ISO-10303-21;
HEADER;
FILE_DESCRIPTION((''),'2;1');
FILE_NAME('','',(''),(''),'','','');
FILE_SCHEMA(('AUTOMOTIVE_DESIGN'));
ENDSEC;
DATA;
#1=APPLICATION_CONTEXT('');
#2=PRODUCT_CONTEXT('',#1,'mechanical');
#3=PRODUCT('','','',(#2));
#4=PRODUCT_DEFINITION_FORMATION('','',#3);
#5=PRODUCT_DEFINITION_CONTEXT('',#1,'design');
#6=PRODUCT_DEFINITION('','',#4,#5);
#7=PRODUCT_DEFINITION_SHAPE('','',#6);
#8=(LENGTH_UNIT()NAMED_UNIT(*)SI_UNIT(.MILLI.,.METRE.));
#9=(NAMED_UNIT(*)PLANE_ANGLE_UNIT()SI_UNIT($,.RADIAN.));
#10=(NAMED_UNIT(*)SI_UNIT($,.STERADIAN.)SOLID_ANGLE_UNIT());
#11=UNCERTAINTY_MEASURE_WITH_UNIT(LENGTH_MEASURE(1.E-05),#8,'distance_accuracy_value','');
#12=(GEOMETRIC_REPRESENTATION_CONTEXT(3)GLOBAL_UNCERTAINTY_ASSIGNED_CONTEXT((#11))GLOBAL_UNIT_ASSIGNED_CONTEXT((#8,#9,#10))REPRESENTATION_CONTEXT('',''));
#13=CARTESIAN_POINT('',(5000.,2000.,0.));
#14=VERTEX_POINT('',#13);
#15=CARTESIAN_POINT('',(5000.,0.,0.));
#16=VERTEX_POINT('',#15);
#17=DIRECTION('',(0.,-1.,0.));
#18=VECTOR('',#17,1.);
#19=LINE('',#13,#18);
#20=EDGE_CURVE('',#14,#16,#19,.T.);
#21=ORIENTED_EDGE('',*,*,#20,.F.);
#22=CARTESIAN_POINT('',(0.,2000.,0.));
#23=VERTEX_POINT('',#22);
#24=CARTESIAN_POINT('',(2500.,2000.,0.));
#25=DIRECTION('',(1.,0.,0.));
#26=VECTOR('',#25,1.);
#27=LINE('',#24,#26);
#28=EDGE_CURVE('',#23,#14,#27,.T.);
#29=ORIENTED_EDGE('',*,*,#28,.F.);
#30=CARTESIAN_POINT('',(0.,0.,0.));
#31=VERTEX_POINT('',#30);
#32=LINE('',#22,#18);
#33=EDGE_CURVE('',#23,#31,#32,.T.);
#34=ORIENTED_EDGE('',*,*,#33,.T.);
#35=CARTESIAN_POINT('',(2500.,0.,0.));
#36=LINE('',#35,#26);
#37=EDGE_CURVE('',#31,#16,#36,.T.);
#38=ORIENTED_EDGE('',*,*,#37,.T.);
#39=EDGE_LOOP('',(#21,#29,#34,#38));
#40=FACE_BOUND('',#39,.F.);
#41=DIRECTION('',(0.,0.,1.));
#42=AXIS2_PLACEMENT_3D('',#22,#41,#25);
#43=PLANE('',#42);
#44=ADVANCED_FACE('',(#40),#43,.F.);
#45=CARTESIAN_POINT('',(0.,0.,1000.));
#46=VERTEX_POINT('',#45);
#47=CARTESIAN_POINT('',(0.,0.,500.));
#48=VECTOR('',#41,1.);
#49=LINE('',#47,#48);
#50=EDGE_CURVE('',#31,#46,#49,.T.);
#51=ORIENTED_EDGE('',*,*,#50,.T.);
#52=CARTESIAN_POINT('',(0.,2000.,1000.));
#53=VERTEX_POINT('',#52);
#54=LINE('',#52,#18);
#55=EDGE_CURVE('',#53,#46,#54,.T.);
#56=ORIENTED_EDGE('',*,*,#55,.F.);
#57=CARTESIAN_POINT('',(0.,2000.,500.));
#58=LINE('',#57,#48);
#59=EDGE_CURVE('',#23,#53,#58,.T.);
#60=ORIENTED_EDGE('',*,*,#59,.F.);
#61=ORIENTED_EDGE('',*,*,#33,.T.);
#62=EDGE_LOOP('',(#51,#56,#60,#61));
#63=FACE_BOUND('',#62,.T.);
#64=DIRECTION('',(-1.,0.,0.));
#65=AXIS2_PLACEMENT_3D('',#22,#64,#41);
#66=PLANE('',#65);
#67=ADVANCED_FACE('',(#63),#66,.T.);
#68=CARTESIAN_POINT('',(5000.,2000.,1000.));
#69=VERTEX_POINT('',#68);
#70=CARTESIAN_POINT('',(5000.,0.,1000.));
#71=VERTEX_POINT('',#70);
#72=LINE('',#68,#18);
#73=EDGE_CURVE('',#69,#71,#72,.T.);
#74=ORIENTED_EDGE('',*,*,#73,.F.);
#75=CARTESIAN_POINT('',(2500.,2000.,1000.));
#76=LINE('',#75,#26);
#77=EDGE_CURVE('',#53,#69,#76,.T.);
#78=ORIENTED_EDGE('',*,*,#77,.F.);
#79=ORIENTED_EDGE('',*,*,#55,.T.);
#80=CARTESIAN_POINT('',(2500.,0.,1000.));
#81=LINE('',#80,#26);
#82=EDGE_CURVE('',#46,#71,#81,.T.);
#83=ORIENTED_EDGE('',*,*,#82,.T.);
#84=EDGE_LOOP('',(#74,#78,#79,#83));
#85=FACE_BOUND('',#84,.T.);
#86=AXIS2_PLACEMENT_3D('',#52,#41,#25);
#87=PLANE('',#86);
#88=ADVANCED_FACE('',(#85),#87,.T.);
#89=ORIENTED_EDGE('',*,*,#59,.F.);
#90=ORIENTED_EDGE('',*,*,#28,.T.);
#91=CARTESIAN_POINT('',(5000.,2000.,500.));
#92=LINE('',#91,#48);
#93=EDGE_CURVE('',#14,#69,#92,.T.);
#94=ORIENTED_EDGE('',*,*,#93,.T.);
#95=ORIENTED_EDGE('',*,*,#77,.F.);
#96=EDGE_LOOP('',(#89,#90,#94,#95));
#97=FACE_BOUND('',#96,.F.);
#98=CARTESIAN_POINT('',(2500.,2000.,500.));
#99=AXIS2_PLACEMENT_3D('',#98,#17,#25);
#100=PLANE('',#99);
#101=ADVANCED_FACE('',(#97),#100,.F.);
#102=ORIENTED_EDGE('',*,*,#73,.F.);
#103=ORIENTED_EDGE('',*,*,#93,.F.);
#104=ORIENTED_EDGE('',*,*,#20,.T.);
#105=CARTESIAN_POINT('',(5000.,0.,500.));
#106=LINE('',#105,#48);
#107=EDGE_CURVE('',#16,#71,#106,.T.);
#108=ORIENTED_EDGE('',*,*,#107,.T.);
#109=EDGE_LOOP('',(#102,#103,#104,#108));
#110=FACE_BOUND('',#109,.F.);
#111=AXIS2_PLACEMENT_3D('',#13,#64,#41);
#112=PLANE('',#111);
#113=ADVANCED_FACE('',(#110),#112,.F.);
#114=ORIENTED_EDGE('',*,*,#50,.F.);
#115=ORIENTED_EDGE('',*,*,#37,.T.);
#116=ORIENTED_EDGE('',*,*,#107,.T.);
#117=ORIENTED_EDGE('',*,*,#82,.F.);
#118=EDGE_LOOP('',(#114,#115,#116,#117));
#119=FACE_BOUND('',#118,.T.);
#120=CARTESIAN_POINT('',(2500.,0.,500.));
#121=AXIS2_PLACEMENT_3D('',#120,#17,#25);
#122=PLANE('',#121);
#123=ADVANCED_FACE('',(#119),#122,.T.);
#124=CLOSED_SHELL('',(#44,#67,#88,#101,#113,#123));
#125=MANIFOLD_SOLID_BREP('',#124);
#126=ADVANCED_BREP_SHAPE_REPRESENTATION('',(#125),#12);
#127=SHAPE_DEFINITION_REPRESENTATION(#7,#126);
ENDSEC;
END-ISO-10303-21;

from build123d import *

# Parameters (mm, degrees)
F0_W     = 5000
F0_H     = 1000
F1_DEPTH = 2000


with BuildPart() as f1:
    # F0 (on Front) → F1 (new body)
    with BuildSketch(Plane.XZ):
        with Locations((-2.5102024217, -744.4396660565)):
            Rectangle(F0_W, F0_H)
    extrude(amount=F1_DEPTH)


with BuildPart() as f1_1:
    # F2: moved
    add(f1.part.moved(Location((2502.5102024217, 2000, 1244.4396660565))))


solid = f1_1.part
